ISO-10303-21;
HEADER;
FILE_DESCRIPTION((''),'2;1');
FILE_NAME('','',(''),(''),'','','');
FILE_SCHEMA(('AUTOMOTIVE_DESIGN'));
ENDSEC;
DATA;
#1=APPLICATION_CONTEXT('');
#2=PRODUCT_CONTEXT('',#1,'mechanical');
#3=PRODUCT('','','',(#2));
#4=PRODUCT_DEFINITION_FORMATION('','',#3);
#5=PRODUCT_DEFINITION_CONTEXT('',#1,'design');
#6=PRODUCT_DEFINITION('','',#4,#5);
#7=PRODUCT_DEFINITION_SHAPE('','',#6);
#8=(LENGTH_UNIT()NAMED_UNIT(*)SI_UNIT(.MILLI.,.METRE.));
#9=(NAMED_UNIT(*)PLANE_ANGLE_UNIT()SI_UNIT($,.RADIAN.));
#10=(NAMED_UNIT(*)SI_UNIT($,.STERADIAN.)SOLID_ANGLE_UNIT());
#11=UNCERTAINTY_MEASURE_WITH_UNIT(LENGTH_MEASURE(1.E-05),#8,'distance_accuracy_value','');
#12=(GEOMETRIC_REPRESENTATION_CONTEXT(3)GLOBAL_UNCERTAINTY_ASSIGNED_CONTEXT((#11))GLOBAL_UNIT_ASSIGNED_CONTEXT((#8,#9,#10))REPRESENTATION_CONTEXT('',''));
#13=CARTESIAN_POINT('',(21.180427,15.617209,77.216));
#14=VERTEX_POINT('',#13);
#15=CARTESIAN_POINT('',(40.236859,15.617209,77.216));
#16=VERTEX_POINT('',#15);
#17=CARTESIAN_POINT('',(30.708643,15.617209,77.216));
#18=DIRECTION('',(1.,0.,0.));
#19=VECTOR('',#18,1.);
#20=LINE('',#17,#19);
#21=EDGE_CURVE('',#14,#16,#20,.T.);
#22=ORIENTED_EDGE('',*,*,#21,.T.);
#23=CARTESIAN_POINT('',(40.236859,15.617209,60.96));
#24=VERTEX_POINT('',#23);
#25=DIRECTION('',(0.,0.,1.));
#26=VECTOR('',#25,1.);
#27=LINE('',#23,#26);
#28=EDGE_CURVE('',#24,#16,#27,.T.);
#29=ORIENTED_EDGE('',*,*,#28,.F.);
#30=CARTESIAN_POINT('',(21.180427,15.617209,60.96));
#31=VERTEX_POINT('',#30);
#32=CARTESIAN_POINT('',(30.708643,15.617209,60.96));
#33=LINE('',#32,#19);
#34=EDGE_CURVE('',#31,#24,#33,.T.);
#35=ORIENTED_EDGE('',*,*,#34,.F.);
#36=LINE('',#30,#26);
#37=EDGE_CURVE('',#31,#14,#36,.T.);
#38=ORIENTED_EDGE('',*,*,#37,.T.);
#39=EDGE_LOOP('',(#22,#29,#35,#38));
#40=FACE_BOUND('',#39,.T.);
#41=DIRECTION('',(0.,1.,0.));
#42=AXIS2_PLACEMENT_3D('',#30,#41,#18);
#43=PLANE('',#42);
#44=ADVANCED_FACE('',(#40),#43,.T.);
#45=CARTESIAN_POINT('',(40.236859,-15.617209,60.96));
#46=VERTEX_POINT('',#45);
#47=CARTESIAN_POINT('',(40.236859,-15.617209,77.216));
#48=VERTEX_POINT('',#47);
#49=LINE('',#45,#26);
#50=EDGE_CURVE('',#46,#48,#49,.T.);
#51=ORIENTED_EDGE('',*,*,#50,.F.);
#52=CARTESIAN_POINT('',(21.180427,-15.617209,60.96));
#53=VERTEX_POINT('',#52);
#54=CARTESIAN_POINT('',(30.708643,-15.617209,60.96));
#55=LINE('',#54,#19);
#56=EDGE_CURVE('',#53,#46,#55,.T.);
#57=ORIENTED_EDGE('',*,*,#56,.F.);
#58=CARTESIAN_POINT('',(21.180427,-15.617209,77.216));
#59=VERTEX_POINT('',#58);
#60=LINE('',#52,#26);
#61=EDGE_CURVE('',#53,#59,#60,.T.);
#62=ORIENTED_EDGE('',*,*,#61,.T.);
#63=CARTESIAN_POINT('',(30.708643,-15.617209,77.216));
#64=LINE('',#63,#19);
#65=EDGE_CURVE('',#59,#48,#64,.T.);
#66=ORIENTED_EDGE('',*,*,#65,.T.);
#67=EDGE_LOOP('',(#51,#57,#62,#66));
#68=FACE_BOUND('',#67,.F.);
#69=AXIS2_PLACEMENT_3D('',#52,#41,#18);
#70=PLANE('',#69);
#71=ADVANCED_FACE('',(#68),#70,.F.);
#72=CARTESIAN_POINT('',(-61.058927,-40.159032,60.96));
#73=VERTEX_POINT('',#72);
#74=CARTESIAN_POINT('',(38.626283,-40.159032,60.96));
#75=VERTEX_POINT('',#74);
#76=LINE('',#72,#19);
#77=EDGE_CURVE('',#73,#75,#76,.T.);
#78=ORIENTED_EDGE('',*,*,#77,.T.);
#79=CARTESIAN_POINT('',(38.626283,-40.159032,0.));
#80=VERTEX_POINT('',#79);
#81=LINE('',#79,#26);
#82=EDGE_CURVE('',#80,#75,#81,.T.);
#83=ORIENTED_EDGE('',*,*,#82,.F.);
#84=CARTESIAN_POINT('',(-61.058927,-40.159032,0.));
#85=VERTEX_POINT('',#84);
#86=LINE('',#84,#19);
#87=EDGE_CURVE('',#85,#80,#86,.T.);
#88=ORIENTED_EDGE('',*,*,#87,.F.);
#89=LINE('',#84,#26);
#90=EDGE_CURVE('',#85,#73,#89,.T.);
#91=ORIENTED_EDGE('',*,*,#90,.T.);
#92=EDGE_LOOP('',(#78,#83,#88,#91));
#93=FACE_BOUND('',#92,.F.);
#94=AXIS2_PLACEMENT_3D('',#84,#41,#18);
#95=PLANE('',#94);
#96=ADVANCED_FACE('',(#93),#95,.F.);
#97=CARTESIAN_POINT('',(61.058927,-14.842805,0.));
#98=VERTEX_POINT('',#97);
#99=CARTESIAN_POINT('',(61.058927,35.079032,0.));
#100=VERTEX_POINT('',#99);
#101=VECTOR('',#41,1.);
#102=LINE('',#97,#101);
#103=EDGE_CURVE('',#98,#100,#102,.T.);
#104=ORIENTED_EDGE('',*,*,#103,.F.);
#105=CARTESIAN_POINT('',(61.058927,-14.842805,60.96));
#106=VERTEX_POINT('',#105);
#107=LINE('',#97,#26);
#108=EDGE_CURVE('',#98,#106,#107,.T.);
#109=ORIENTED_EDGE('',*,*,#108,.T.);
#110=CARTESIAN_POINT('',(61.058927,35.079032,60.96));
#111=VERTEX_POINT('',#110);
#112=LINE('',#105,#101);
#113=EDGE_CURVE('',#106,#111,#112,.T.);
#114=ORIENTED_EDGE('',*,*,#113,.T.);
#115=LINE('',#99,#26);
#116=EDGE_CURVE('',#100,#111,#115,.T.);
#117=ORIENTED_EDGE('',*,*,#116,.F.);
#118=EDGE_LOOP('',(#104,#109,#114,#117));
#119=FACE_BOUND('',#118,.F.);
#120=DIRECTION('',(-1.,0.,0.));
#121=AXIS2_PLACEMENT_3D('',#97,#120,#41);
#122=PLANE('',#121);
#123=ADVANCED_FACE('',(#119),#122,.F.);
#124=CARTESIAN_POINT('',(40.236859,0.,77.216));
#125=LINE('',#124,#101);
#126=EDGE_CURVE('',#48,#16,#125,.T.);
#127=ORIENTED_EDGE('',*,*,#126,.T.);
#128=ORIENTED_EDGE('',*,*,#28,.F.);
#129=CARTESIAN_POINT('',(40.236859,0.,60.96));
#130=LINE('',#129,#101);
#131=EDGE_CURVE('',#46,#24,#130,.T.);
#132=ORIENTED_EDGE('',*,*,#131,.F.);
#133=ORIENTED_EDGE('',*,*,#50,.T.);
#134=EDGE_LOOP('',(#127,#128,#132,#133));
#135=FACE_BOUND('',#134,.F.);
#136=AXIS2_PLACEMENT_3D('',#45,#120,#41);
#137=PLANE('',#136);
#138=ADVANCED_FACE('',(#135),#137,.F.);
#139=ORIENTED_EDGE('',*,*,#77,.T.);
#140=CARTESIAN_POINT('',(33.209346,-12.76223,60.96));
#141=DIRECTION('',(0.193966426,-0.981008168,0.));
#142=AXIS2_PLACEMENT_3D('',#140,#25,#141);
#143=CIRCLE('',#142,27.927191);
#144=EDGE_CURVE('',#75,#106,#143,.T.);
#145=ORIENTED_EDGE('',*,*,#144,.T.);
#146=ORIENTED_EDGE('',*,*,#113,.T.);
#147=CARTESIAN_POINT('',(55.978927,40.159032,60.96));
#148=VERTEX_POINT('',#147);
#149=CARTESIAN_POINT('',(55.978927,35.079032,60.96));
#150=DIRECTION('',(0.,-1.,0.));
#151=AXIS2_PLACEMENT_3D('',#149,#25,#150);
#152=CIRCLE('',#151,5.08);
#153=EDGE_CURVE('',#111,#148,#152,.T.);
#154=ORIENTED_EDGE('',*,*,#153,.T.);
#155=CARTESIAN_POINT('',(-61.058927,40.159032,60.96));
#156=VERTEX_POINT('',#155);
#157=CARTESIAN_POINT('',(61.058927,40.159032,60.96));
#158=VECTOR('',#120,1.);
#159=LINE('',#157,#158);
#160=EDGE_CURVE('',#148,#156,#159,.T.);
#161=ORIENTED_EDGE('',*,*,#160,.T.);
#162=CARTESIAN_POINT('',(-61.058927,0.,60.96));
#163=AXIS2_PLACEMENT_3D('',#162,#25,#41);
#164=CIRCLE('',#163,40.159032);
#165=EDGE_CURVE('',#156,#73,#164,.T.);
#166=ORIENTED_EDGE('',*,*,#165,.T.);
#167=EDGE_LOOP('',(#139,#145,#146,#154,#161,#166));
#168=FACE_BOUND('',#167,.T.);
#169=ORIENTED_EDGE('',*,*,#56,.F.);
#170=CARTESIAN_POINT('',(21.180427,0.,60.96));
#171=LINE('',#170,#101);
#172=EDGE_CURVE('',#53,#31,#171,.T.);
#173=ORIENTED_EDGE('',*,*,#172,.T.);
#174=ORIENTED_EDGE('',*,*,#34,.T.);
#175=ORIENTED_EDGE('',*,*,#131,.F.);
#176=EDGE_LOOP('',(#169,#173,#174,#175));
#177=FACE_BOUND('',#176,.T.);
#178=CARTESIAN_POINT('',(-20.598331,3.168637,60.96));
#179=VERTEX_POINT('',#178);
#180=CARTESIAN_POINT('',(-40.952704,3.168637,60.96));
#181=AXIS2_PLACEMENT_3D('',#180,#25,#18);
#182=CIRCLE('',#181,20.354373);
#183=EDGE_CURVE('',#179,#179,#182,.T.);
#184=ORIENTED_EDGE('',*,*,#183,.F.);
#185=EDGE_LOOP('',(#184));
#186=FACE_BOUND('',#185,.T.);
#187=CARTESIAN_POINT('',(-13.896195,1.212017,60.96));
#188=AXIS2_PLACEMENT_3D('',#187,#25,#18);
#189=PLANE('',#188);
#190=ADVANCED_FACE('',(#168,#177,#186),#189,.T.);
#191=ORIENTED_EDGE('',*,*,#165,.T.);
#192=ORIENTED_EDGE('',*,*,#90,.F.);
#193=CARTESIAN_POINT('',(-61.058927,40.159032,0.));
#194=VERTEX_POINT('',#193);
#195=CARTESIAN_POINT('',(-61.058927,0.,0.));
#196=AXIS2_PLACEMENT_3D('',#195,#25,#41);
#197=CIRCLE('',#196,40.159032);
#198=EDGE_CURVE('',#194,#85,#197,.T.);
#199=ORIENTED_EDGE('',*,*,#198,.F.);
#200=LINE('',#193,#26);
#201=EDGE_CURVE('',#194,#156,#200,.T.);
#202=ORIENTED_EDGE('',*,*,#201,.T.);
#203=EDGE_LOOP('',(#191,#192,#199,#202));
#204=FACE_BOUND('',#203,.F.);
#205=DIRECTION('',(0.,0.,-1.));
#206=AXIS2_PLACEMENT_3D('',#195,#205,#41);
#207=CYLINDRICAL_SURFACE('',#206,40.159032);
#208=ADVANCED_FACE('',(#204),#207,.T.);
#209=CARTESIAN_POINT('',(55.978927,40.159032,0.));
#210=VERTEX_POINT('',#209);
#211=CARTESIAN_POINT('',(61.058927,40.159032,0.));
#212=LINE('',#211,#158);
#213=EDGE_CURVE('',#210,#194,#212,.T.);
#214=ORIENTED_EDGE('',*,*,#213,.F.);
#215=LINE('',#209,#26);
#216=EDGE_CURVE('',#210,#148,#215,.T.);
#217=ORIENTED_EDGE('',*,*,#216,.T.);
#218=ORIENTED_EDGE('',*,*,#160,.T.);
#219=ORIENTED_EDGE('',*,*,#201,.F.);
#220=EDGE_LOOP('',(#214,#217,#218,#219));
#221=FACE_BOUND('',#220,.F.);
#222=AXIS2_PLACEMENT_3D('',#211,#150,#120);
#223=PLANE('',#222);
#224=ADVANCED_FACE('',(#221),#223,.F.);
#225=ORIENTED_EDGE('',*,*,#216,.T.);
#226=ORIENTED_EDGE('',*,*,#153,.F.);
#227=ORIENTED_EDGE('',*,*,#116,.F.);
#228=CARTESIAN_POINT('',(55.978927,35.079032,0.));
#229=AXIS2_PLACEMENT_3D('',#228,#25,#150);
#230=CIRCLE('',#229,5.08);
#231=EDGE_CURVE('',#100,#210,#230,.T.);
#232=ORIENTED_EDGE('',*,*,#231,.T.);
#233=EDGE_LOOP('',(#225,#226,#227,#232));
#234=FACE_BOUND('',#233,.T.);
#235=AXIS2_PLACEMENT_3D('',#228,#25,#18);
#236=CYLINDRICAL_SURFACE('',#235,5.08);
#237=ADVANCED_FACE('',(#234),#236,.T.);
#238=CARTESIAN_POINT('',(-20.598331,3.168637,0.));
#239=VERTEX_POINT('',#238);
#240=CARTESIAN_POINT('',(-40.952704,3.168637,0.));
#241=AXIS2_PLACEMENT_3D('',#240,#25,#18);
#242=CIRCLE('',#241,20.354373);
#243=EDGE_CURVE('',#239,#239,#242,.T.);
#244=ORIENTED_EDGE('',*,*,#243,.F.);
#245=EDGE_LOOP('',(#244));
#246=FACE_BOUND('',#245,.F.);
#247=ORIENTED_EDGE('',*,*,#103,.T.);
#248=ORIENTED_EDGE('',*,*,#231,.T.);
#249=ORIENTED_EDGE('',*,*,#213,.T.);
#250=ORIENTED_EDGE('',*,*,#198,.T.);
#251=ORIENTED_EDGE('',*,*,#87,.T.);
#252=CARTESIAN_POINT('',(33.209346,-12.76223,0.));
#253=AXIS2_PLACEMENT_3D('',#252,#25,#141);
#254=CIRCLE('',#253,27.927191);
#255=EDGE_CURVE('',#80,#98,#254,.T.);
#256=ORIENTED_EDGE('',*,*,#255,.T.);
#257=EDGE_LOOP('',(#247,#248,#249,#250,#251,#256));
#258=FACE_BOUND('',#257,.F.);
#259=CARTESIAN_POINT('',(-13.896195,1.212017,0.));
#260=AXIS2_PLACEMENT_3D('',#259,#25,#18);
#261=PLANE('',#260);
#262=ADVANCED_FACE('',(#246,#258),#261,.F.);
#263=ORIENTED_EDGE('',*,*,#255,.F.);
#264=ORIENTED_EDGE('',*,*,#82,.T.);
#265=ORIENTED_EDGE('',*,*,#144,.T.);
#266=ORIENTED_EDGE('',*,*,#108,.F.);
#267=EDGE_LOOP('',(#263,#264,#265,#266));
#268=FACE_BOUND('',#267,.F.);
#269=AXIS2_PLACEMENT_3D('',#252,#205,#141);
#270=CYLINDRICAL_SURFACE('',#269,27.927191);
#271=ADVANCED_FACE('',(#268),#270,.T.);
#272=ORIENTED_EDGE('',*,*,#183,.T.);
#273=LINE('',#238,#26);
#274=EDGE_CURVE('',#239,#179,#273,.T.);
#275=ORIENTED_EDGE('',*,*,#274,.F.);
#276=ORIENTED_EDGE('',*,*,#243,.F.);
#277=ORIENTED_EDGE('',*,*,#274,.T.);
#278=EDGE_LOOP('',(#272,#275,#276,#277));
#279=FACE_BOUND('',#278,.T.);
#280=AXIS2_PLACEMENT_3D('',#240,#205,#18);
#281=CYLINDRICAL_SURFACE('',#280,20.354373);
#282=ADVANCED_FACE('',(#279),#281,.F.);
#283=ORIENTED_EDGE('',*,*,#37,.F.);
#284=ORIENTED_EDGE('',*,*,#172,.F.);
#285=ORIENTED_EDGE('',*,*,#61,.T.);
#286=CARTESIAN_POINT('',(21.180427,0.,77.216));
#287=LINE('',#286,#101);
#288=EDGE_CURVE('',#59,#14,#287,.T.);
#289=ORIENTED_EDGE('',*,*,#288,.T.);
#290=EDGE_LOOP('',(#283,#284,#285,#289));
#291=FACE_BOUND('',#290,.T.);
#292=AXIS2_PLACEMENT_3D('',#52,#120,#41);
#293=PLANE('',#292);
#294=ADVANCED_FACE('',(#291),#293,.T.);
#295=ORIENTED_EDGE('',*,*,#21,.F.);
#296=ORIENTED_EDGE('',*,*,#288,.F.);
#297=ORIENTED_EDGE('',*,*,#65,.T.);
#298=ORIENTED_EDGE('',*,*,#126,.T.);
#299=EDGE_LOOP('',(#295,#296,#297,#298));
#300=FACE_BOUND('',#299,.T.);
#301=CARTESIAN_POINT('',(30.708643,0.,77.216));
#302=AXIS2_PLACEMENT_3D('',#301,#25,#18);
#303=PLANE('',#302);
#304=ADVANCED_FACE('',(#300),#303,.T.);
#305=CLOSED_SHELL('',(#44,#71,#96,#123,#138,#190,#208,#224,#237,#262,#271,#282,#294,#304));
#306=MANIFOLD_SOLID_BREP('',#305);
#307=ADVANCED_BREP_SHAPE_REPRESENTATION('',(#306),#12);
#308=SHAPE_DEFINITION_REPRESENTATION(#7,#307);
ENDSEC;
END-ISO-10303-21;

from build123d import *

# Parameters (mm, degrees)
F0_R     = 20.354373
F1_DEPTH = 60.96
F2_R     = 5.08
F3_W     = 19.056432
F3_H     = 31.234418
F4_DEPTH = 16.256


with BuildPart() as f1:
    # F0 (on Top) → F1 (new body)
    with BuildSketch(Plane.XY):
        with BuildLine():
            Line((61.058927, -14.842805), (61.058927, 40.159032))
            Line((61.058927, 40.159032), (-61.058927, 40.159032))
            ThreePointArc((-61.058927, 40.159032), (-101.217959, 0), (-61.058927, -40.159032))
            Line((-61.058927, -40.159032), (38.626283, -40.159032))
            ThreePointArc((38.626283, -40.159032), (54.111335, -31.283429), (61.058927, -14.842805))
        make_face()
        with Locations((-40.952704, 3.168637)):
            Circle(F0_R, mode=Mode.SUBTRACT)
    extrude(amount=F1_DEPTH)

    # F2
    f2_edges = [f1.edges().sort_by_distance(p)[0] for p in [
        (61.058927, 40.159032, 30.48),
    ]]
    fillet(f2_edges, radius=F2_R)

    # F3 (on face) → F4 (join)
    with BuildSketch(Plane.XY.offset(60.96)):
        with Locations((30.708643, 0)):
            Rectangle(F3_W, F3_H)
    extrude(amount=F4_DEPTH)


solid = f1.part
